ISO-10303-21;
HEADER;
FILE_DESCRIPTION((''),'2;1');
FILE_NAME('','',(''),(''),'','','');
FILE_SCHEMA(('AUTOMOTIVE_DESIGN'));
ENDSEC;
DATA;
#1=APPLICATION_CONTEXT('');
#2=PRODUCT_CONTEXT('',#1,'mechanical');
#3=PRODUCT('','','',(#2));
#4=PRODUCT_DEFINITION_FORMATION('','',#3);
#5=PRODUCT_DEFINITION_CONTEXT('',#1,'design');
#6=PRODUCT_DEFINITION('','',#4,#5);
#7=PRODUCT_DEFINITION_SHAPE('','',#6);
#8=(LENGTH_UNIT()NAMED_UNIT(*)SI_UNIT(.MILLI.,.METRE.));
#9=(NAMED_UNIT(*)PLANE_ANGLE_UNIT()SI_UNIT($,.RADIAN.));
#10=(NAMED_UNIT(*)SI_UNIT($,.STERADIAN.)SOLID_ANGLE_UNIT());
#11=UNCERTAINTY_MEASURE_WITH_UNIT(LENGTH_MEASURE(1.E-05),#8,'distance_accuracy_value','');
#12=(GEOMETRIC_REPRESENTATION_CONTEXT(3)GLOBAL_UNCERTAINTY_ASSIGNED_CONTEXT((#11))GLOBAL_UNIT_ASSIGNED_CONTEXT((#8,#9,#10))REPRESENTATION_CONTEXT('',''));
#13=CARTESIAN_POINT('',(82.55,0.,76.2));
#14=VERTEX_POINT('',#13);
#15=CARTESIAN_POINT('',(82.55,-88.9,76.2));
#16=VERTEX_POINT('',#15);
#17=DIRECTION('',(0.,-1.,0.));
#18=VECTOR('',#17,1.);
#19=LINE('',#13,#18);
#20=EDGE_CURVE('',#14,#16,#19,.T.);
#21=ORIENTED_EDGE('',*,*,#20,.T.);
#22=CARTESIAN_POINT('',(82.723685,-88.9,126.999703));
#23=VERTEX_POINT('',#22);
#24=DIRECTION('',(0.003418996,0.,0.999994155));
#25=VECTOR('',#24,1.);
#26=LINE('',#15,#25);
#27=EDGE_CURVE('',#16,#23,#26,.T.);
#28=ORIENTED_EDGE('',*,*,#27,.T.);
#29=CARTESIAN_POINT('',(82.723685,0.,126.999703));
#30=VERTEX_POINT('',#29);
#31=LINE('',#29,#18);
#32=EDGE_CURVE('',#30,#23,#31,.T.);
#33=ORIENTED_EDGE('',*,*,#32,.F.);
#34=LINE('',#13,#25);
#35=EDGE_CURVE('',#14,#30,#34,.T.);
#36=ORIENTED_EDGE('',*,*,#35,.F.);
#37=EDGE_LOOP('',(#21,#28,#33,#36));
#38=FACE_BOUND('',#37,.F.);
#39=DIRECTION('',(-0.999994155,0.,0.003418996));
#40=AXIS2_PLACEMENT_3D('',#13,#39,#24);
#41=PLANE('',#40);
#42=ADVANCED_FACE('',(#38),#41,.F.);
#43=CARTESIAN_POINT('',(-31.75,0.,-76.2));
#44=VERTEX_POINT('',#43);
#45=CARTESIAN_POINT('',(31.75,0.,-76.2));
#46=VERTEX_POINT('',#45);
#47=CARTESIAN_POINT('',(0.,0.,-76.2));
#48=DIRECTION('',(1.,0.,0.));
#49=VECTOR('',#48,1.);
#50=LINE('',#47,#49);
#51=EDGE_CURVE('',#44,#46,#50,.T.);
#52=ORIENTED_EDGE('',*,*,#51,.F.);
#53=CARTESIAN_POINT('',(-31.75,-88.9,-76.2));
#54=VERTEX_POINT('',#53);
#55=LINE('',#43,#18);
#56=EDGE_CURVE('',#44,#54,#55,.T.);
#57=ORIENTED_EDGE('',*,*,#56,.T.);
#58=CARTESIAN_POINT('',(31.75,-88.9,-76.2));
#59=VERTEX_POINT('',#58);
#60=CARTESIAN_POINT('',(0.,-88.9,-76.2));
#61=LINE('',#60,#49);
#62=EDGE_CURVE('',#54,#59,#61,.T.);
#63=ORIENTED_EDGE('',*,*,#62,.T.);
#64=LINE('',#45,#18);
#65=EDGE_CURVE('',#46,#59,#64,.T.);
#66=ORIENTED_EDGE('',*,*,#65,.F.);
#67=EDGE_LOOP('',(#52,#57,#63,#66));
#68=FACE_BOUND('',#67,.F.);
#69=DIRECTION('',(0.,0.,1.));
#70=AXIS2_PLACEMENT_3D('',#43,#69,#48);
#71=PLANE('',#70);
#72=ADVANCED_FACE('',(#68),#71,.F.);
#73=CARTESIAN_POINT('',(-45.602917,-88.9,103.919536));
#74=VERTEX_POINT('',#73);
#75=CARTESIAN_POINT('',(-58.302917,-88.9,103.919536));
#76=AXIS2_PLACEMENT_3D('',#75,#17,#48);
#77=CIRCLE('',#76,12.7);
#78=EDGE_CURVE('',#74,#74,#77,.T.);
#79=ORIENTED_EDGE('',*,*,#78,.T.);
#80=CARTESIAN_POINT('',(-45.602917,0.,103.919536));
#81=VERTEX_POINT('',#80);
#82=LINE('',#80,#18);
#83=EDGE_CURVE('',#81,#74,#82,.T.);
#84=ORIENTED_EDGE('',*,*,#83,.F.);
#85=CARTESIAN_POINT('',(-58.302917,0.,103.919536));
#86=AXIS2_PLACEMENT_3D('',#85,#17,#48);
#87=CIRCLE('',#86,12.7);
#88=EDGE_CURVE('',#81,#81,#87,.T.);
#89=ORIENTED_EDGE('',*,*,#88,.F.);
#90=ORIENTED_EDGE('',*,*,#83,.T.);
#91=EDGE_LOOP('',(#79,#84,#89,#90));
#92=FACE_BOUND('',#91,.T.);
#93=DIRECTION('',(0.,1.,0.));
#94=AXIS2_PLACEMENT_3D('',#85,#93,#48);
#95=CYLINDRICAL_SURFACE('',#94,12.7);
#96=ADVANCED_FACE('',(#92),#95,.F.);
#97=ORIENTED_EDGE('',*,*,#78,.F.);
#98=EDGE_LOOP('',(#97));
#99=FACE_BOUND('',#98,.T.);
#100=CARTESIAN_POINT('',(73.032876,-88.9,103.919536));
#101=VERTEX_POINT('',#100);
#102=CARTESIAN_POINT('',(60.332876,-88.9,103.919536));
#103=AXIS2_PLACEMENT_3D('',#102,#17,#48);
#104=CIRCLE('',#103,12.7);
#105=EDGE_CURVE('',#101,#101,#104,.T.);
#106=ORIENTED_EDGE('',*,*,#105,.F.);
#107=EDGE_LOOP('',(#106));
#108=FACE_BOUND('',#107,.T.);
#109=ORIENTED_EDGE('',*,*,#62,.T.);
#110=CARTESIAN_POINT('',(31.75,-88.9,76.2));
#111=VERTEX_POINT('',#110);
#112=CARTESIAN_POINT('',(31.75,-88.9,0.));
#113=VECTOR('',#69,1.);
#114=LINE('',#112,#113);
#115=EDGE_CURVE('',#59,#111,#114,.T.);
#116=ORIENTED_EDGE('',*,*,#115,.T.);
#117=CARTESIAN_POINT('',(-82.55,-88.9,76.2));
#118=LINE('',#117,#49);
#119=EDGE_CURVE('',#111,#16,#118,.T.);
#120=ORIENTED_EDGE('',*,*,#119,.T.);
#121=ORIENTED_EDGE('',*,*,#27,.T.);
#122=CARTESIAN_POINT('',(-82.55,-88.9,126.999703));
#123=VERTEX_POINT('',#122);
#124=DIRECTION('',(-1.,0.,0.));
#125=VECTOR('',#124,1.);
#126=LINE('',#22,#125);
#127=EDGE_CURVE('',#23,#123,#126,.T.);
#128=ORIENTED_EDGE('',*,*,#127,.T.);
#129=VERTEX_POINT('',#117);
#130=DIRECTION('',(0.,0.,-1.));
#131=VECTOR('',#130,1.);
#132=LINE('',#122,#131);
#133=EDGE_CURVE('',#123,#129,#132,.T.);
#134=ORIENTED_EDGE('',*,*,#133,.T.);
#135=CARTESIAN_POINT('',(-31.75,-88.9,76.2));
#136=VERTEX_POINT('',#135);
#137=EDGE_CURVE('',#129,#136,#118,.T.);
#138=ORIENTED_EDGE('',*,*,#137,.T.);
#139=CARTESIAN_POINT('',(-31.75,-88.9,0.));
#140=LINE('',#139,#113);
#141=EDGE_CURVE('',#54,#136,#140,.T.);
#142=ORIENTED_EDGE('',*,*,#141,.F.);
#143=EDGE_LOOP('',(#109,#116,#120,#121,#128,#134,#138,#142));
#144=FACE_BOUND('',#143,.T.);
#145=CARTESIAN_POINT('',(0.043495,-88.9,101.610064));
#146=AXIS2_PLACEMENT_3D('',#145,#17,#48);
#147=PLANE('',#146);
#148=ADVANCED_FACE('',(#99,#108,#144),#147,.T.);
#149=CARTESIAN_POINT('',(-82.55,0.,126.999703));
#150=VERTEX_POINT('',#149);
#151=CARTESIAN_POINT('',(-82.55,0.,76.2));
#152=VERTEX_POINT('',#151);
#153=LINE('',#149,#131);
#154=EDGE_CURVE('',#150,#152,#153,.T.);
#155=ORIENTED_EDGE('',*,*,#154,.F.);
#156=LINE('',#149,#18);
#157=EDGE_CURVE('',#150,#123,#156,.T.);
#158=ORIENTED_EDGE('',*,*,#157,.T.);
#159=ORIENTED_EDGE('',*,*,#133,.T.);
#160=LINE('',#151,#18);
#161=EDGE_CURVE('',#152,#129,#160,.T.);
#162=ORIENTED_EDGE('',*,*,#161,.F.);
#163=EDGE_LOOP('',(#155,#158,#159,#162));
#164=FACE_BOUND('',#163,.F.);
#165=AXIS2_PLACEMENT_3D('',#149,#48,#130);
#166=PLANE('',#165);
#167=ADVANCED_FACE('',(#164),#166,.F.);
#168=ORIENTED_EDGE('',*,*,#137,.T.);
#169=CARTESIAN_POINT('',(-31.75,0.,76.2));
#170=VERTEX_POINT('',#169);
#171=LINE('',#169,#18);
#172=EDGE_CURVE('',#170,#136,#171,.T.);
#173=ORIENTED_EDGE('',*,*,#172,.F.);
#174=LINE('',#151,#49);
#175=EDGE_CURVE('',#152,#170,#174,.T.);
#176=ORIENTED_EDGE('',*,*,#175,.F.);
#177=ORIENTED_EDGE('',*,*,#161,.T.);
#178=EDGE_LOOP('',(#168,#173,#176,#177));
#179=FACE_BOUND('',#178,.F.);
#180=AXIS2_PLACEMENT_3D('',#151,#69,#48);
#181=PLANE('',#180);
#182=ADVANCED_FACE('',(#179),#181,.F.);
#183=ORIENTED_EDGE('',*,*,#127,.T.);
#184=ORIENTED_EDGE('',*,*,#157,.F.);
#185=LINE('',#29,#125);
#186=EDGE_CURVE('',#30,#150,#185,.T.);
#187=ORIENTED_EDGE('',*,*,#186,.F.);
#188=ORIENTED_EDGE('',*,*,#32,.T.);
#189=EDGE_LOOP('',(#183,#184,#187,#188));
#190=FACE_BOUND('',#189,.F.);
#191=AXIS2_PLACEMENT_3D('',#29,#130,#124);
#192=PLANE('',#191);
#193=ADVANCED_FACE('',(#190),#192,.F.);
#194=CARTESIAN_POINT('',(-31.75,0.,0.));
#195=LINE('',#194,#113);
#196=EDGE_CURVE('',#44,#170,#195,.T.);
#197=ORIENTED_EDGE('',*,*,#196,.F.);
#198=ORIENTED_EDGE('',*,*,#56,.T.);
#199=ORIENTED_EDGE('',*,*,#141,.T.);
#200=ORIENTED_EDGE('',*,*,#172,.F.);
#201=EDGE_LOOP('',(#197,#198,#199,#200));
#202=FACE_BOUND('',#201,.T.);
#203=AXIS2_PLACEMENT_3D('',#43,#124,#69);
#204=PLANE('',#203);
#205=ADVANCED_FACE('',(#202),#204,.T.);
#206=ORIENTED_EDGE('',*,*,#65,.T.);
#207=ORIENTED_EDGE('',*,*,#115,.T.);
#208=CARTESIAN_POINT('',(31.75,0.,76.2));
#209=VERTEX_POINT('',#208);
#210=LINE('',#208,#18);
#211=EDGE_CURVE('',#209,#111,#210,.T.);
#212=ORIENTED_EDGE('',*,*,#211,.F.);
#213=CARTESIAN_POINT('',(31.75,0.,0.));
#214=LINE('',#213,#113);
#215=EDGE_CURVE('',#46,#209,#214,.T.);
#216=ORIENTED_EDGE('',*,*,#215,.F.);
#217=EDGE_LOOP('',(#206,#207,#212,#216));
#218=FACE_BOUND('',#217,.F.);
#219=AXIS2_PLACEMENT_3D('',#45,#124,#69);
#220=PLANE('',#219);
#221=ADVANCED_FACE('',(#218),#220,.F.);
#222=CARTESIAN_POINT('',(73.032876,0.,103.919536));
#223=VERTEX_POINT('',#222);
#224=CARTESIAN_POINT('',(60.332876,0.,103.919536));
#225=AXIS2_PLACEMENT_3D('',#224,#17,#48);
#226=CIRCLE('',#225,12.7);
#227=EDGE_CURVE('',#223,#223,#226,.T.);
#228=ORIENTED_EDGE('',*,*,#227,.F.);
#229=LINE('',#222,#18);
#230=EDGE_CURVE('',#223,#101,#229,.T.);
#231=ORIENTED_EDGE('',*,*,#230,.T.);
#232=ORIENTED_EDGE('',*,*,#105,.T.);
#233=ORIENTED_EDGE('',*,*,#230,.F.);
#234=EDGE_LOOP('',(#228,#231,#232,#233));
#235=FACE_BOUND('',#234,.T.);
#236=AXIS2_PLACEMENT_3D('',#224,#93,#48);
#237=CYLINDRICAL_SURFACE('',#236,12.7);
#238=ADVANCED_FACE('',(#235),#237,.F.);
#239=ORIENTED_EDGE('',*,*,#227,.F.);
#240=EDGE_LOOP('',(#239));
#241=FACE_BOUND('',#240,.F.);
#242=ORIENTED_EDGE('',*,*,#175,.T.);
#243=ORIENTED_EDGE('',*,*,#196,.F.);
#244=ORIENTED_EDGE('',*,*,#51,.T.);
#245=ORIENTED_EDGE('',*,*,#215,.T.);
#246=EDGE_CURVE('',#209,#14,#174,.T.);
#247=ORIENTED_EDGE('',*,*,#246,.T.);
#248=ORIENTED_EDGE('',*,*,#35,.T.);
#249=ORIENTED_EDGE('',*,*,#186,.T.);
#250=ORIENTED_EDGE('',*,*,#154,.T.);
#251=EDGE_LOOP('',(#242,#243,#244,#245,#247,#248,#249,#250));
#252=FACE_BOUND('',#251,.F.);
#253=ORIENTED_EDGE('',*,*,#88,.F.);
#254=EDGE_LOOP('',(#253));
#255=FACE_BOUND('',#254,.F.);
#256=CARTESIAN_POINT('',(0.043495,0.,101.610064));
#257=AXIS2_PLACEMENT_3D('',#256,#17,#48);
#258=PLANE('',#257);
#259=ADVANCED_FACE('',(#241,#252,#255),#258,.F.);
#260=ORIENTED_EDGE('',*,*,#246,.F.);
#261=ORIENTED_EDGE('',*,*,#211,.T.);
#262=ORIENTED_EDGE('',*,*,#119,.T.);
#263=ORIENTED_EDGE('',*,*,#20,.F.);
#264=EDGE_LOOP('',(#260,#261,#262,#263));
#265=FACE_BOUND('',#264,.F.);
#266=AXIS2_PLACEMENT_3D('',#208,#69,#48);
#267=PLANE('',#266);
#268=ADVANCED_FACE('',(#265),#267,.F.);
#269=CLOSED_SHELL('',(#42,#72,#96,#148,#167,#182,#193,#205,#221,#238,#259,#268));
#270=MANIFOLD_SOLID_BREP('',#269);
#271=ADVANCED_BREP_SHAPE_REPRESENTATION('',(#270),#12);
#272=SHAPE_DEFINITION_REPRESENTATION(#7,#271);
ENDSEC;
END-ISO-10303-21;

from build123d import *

# Parameters (mm, degrees)
F0_R     = 12.7
F0_W     = 63.5
F0_H     = 152.4
F1_DEPTH = 88.9


with BuildPart() as f1:
    # F0 (on Front) → F1 (new body)
    with BuildSketch(Plane.XZ):
        Polygon((-82.55, 76.2), (-31.75, 76.2), (31.75, 76.2), (82.55, 76.2), (82.723685, 126.999703), (-82.55, 126.999703), align=None)
        with Locations((-58.302917, 103.919536)):
            Circle(F0_R, mode=Mode.SUBTRACT)
        with Locations((60.332876, 103.919536)):
            Circle(F0_R, mode=Mode.SUBTRACT)
        Rectangle(F0_W, F0_H)
    extrude(amount=F1_DEPTH)


solid = f1.part
